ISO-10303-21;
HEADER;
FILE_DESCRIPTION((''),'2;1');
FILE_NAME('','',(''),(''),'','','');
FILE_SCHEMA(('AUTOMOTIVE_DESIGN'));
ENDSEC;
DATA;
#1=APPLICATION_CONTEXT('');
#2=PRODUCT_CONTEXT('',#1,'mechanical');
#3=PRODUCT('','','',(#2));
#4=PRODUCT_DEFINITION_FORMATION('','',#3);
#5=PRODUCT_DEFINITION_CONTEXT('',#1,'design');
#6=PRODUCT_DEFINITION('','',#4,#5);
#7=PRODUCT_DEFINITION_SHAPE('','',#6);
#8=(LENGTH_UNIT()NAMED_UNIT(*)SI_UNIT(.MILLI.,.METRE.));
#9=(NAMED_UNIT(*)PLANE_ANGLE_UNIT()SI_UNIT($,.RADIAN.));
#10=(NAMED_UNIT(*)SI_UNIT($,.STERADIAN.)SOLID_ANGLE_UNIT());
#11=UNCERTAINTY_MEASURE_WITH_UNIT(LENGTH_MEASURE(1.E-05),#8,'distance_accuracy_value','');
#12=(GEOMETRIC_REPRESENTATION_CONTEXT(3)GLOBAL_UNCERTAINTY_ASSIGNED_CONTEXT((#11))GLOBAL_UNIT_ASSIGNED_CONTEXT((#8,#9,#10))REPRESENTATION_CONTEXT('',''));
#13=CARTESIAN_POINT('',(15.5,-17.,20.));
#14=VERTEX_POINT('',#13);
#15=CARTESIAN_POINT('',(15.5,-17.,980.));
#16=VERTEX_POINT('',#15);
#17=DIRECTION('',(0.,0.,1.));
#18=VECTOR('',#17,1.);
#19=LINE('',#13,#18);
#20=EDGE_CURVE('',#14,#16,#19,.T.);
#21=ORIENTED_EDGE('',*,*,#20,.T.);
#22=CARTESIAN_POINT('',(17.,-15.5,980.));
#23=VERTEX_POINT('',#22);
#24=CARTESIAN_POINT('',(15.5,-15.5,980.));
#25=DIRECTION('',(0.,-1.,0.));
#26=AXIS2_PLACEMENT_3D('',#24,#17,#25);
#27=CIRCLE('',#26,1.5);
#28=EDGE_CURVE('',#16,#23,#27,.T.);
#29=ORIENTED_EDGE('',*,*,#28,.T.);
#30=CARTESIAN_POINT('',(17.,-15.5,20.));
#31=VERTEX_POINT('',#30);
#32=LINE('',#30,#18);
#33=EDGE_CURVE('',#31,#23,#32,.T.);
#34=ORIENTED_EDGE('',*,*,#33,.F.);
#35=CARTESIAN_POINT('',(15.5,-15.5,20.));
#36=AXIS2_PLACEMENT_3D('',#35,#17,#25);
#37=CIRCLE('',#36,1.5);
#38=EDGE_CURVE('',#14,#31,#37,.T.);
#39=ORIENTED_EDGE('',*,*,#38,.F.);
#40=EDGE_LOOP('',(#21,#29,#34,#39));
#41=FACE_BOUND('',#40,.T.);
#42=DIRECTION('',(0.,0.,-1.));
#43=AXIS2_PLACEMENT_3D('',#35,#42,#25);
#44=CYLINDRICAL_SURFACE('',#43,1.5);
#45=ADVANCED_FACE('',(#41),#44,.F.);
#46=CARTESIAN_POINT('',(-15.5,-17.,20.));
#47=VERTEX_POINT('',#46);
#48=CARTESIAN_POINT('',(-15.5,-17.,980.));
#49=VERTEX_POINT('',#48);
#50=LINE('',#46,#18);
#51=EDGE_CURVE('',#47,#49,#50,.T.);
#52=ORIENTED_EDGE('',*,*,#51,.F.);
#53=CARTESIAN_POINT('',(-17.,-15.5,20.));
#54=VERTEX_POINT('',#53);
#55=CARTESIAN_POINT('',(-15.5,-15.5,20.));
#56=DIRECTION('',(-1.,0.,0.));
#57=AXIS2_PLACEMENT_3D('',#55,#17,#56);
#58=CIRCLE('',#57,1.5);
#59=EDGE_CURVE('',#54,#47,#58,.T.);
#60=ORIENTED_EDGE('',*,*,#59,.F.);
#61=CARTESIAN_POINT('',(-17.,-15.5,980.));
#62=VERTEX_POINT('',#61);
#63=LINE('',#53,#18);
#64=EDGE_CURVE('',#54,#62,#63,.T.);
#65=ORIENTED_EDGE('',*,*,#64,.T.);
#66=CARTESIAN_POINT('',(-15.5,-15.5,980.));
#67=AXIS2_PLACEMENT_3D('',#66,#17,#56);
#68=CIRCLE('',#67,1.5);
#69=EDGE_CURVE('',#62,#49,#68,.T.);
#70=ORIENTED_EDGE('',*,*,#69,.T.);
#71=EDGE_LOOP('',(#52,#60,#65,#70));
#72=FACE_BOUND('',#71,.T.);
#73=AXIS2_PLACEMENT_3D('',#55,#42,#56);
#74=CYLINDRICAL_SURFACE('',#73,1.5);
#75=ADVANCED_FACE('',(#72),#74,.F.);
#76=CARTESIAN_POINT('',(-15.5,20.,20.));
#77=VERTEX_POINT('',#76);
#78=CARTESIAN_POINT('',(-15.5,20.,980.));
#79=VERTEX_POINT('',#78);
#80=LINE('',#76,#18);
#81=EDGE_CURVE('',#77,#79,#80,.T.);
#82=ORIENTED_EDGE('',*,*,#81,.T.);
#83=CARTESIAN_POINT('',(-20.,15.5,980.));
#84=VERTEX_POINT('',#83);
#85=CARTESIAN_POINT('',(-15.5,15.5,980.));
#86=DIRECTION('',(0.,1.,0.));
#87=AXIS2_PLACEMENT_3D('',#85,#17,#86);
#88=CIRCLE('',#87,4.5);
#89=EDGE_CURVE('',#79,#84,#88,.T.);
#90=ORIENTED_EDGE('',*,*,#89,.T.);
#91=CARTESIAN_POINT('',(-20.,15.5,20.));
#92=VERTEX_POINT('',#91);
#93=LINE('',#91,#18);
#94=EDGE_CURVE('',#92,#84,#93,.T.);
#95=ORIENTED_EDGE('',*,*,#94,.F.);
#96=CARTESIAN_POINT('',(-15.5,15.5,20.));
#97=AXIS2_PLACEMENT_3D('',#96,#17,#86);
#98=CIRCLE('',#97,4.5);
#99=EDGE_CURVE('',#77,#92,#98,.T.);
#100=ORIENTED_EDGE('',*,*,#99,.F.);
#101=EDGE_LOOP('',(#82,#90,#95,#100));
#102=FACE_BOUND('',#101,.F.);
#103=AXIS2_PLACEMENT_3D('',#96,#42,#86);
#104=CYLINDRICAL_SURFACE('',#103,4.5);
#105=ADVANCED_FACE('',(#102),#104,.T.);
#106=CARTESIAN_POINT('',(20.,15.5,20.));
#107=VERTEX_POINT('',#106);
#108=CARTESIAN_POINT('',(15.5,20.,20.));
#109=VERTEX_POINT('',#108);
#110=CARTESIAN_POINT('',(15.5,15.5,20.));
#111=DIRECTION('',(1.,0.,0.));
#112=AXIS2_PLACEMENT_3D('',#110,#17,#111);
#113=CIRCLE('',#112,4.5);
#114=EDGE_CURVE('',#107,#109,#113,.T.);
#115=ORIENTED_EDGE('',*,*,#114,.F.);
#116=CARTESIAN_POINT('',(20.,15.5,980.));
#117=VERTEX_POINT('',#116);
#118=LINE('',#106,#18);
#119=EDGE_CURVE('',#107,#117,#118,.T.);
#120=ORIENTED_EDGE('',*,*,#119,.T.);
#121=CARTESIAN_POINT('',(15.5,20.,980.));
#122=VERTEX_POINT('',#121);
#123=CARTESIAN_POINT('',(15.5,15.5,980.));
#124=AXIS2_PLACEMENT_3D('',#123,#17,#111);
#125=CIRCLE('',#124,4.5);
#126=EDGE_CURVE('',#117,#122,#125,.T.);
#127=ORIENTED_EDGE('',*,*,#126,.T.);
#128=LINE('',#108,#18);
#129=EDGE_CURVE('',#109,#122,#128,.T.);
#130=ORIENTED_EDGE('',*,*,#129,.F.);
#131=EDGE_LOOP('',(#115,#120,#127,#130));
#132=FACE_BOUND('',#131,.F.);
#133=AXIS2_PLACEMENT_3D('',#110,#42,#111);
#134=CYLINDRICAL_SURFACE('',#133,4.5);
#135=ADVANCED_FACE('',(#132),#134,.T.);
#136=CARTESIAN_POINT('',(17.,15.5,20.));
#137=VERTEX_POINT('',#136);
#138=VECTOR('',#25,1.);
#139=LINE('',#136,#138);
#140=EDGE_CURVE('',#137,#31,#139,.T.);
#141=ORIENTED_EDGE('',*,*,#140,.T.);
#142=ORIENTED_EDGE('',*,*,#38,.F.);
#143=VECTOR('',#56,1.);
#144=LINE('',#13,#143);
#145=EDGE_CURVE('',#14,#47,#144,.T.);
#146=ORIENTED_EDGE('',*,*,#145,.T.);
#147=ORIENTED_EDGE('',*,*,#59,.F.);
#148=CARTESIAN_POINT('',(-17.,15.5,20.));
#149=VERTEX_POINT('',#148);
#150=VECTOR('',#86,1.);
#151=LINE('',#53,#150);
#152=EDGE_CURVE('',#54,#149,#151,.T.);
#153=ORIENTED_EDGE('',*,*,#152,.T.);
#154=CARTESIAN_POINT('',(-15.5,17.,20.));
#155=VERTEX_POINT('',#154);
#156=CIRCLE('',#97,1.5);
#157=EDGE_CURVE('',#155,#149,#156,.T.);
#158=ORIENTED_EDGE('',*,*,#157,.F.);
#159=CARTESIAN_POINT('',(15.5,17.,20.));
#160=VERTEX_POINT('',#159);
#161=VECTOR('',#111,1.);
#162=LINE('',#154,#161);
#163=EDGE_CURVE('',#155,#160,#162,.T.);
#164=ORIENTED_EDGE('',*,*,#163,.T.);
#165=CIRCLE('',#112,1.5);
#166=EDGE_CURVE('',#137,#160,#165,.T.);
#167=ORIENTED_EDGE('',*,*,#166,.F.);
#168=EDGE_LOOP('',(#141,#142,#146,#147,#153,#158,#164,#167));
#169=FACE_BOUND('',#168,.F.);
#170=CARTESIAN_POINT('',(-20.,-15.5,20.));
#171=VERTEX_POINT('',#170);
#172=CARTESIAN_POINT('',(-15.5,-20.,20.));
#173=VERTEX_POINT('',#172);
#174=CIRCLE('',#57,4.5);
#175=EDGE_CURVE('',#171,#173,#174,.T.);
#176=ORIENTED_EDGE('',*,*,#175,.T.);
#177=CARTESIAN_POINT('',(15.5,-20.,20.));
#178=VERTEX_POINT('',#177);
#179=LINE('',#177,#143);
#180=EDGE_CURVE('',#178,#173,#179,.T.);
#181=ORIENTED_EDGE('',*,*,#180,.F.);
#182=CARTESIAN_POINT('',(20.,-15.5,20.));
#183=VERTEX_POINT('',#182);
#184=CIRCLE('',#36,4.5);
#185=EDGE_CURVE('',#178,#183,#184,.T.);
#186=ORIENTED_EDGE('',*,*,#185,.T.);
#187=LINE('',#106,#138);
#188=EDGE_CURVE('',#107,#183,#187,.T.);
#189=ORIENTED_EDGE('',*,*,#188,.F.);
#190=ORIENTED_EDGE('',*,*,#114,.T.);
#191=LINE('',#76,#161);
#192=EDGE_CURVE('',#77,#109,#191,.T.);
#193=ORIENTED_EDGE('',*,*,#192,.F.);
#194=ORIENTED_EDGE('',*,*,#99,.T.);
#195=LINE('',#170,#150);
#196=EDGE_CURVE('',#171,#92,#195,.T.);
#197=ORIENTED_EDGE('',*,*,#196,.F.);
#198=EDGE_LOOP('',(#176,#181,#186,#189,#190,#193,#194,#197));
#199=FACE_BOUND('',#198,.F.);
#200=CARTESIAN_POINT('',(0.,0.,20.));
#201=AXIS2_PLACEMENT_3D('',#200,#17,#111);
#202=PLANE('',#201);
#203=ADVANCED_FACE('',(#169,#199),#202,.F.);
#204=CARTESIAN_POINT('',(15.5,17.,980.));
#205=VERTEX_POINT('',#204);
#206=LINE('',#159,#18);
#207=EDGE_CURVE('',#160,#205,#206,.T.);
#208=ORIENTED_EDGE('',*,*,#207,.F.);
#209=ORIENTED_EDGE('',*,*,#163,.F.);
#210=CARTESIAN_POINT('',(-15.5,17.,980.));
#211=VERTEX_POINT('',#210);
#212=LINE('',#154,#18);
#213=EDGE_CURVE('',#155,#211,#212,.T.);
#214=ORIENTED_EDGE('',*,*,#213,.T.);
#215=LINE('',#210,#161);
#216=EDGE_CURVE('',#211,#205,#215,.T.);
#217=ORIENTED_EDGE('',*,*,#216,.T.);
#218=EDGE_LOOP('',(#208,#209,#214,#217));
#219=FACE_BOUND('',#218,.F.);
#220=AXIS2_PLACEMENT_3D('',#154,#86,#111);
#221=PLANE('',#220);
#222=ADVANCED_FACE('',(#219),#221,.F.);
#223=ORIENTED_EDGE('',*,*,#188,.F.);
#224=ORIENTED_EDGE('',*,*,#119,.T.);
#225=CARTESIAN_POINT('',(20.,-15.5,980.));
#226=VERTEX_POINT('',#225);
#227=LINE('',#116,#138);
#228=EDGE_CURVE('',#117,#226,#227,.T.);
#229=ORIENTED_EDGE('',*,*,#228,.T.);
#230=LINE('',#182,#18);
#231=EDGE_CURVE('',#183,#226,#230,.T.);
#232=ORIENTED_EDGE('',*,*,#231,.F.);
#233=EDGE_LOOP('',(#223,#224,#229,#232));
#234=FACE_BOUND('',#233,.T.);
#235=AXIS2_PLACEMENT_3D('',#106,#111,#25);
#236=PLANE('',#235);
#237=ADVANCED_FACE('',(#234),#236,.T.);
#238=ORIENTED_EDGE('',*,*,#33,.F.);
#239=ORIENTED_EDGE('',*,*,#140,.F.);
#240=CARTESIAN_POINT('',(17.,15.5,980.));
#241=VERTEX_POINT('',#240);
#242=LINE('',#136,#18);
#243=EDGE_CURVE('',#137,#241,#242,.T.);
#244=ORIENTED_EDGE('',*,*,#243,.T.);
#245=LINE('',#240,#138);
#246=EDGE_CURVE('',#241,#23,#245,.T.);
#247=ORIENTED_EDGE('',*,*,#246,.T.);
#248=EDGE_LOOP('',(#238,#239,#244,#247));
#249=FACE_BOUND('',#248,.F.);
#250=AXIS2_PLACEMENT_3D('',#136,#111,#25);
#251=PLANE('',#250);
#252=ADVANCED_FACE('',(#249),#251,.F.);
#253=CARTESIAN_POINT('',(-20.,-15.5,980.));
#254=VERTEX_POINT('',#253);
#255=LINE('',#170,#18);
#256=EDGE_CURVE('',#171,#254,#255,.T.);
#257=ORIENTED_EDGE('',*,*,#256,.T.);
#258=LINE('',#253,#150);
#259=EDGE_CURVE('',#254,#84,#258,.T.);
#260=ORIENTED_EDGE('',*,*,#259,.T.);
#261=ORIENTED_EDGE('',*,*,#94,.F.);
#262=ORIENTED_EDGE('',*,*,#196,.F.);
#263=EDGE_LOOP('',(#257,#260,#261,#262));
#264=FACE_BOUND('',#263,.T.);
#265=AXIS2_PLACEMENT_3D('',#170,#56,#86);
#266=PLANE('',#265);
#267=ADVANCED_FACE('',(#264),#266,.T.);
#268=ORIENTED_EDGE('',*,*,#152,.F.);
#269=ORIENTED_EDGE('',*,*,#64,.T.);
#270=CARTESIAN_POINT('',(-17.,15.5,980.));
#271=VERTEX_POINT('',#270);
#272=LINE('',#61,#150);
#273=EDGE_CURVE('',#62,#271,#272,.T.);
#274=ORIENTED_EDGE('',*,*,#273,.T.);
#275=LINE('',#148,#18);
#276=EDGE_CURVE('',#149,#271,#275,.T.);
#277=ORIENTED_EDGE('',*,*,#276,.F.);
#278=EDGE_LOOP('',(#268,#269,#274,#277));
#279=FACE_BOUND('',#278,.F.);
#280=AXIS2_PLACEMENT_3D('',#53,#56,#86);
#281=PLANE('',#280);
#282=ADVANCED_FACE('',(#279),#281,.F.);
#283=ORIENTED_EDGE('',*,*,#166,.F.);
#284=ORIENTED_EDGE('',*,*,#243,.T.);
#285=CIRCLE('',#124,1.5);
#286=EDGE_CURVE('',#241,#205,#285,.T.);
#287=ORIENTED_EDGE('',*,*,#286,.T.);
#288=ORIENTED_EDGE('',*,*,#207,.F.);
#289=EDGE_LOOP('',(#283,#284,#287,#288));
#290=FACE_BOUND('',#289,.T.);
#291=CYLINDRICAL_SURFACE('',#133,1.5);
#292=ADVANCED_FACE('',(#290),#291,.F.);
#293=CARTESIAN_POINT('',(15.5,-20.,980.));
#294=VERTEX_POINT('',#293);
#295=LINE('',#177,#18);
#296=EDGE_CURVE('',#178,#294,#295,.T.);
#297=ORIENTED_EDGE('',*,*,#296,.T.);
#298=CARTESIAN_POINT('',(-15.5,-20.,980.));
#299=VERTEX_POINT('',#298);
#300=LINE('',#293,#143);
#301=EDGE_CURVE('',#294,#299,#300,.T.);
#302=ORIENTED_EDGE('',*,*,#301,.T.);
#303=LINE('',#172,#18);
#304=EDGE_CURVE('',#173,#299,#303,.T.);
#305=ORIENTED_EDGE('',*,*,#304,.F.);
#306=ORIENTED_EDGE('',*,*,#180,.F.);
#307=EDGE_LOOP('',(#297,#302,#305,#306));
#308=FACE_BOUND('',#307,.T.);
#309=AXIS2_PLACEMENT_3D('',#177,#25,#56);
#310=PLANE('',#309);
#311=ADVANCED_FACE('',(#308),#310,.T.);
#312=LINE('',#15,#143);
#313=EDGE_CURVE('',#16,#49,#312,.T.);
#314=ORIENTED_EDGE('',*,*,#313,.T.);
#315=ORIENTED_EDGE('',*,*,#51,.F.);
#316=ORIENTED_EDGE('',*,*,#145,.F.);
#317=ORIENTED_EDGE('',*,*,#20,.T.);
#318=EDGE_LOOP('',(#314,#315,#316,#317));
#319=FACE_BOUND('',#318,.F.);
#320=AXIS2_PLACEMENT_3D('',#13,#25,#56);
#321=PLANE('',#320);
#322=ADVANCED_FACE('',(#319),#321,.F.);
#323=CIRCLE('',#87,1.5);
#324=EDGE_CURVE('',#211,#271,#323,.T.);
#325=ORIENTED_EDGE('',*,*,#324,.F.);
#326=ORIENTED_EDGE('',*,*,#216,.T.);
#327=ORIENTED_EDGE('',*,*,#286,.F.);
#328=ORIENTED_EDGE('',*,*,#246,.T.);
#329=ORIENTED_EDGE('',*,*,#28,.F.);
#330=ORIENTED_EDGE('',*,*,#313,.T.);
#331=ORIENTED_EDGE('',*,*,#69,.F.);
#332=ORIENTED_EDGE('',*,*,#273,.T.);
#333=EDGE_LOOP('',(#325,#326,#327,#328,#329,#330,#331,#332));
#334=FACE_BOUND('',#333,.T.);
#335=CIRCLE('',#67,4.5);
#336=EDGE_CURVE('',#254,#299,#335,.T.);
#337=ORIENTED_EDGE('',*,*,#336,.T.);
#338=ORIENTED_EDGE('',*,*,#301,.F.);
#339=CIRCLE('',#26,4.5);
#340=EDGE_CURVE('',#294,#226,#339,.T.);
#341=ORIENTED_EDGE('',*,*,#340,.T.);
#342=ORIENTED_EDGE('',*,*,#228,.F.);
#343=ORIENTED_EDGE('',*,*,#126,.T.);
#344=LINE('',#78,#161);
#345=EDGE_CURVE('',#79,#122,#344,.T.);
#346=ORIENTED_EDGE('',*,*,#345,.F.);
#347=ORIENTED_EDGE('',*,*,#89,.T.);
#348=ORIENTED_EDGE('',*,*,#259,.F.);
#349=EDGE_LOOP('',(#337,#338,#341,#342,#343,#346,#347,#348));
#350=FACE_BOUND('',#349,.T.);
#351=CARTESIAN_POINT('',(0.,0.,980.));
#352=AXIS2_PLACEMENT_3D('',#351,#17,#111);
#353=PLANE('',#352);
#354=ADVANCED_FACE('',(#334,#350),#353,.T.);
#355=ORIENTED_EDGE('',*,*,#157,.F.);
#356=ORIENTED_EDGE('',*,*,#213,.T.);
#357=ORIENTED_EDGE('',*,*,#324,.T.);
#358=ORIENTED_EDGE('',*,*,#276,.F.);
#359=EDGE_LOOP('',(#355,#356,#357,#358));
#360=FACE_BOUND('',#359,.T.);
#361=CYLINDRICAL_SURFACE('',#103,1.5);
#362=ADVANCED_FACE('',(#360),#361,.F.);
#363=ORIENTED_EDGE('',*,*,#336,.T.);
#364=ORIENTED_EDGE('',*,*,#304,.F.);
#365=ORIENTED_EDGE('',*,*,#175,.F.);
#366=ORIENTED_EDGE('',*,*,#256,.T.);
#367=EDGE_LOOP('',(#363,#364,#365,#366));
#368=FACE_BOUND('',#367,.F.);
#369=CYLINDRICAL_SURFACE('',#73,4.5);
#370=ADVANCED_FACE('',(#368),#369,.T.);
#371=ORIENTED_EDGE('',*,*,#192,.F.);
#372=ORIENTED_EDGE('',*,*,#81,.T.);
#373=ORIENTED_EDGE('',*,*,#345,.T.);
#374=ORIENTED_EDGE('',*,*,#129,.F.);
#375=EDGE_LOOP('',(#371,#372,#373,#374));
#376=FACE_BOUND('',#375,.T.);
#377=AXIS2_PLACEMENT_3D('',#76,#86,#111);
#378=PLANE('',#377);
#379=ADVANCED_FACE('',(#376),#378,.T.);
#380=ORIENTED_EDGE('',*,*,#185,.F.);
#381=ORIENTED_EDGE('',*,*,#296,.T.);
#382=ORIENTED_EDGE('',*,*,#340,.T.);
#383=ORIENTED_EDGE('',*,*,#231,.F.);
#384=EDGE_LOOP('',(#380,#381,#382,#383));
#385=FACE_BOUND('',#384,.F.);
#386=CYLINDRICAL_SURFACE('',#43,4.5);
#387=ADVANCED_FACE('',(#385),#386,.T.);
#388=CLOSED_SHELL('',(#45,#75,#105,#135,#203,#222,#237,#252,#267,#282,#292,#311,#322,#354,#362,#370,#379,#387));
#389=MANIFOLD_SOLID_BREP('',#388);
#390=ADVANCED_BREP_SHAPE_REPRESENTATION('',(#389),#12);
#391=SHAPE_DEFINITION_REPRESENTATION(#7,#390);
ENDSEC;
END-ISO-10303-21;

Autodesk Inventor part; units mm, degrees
ref_plane "Start Plane" through (0, 0, 20) normal (0, 0, 1) x (1, 0, 0)
ref_plane "End Plane" through (0, 0, 980) normal (0, 0, 1) x (1, 0, 0)
sketch "Sketch" plane through (0, 0, 0) normal (0, 0, 1) x (1, 0, 0)
  line L0 (-20, -15.5) -> (-20, 15.5)
  line L1 (-15.5, 20) -> (15.5, 20)
  line L2 (20, 15.5) -> (20, -15.5)
  line L3 (15.5, -20) -> (-15.5, -20)
  arc A0 (-20, -15.5) -> (-15.5, -20) centre (-15.5, -15.5) ccw
  arc A1 (-15.5, 20) -> (-20, 15.5) centre (-15.5, 15.5) ccw
  arc A2 (20, 15.5) -> (15.5, 20) centre (15.5, 15.5) ccw
  arc A3 (15.5, -20) -> (20, -15.5) centre (15.5, -15.5) ccw
  arc A4 (-15.5, 17) -> (-17, 15.5) centre (-15.5, 15.5) ccw
  line L4 (-15.5, 17) -> (15.5, 17)
  arc A5 (17, 15.5) -> (15.5, 17) centre (15.5, 15.5) ccw
  line L5 (17, 15.5) -> (17, -15.5)
  arc A6 (15.5, -17) -> (17, -15.5) centre (15.5, -15.5) ccw
  line L6 (15.5, -17) -> (-15.5, -17)
  arc A7 (-17, -15.5) -> (-15.5, -17) centre (-15.5, -15.5) ccw
  line L7 (-17, -15.5) -> (-17, 15.5)
  line L8 (0, 29.3048) -> (0, -29.3048) construction
  line L9 (-29.3048, 0) -> (29.3048, 0) construction
  dimension "d7" = 4.5
  dimension "d10" = 40
  dimension "d11" = 40
  dimension "d12" = 3
  dimension "d15" = 20
  dimension "d16" = 20
extrude "Body" add sketch "Sketch" along normal up to surface (960 mm away) from surface at 20
sketch "Sketch3" plane through (0, 0, 0) normal (0, 0, 1) x (1, 0, 0)
  line L0 (0, 0) -> (10, 0)
ref_plane "Work Plane3" through (0, 0, 0) normal (0, -1, 0) x (1, 0, 0)
ref_plane "Work Plane4" through (-15.5, -800, 980) normal (0, 0, 1) x (1, 0, 0)
split "Split1" plane through (-15.5, -800, 980) removes the side toward (0, 0, 1)
ref_plane "Work Plane5" through (15.5, -800, 20) normal (0, 0, -1) x (-1, 0, 0)
split "Split2" plane through (15.5, -800, 20) removes the side toward (0, 0, -1)
sketch "Sketch4" plane through (0, 0, 0) normal (0, -1, 0) x (1, 0, 0)
  line L0 (-2, 20) -> (12, 20) projected
  line L1 (-2, 980) -> (12, 980) projected
  dimension "d18" = 960
equation "\"d7\" = G_IR"
equation "\"d10\" = G_H"
equation "\"d11\" = G_W"
equation "\"d12\" = G_T"
equation "\"d15\" = 0.5 * d10"
equation "\"d16\" = 0.5 * d11"
equation "\"d3\" = G_L"
equation "\"G_W\" = 40"
equation "\"G_H\" = 40"
equation "\"G_T\" = 3"
equation "\"G_IR\" = 4.5"
equation "\"G_L\" = d18"
properties part number "ISO 12633-2 - 40x40x3 - 960" material "Steel, Mild"
